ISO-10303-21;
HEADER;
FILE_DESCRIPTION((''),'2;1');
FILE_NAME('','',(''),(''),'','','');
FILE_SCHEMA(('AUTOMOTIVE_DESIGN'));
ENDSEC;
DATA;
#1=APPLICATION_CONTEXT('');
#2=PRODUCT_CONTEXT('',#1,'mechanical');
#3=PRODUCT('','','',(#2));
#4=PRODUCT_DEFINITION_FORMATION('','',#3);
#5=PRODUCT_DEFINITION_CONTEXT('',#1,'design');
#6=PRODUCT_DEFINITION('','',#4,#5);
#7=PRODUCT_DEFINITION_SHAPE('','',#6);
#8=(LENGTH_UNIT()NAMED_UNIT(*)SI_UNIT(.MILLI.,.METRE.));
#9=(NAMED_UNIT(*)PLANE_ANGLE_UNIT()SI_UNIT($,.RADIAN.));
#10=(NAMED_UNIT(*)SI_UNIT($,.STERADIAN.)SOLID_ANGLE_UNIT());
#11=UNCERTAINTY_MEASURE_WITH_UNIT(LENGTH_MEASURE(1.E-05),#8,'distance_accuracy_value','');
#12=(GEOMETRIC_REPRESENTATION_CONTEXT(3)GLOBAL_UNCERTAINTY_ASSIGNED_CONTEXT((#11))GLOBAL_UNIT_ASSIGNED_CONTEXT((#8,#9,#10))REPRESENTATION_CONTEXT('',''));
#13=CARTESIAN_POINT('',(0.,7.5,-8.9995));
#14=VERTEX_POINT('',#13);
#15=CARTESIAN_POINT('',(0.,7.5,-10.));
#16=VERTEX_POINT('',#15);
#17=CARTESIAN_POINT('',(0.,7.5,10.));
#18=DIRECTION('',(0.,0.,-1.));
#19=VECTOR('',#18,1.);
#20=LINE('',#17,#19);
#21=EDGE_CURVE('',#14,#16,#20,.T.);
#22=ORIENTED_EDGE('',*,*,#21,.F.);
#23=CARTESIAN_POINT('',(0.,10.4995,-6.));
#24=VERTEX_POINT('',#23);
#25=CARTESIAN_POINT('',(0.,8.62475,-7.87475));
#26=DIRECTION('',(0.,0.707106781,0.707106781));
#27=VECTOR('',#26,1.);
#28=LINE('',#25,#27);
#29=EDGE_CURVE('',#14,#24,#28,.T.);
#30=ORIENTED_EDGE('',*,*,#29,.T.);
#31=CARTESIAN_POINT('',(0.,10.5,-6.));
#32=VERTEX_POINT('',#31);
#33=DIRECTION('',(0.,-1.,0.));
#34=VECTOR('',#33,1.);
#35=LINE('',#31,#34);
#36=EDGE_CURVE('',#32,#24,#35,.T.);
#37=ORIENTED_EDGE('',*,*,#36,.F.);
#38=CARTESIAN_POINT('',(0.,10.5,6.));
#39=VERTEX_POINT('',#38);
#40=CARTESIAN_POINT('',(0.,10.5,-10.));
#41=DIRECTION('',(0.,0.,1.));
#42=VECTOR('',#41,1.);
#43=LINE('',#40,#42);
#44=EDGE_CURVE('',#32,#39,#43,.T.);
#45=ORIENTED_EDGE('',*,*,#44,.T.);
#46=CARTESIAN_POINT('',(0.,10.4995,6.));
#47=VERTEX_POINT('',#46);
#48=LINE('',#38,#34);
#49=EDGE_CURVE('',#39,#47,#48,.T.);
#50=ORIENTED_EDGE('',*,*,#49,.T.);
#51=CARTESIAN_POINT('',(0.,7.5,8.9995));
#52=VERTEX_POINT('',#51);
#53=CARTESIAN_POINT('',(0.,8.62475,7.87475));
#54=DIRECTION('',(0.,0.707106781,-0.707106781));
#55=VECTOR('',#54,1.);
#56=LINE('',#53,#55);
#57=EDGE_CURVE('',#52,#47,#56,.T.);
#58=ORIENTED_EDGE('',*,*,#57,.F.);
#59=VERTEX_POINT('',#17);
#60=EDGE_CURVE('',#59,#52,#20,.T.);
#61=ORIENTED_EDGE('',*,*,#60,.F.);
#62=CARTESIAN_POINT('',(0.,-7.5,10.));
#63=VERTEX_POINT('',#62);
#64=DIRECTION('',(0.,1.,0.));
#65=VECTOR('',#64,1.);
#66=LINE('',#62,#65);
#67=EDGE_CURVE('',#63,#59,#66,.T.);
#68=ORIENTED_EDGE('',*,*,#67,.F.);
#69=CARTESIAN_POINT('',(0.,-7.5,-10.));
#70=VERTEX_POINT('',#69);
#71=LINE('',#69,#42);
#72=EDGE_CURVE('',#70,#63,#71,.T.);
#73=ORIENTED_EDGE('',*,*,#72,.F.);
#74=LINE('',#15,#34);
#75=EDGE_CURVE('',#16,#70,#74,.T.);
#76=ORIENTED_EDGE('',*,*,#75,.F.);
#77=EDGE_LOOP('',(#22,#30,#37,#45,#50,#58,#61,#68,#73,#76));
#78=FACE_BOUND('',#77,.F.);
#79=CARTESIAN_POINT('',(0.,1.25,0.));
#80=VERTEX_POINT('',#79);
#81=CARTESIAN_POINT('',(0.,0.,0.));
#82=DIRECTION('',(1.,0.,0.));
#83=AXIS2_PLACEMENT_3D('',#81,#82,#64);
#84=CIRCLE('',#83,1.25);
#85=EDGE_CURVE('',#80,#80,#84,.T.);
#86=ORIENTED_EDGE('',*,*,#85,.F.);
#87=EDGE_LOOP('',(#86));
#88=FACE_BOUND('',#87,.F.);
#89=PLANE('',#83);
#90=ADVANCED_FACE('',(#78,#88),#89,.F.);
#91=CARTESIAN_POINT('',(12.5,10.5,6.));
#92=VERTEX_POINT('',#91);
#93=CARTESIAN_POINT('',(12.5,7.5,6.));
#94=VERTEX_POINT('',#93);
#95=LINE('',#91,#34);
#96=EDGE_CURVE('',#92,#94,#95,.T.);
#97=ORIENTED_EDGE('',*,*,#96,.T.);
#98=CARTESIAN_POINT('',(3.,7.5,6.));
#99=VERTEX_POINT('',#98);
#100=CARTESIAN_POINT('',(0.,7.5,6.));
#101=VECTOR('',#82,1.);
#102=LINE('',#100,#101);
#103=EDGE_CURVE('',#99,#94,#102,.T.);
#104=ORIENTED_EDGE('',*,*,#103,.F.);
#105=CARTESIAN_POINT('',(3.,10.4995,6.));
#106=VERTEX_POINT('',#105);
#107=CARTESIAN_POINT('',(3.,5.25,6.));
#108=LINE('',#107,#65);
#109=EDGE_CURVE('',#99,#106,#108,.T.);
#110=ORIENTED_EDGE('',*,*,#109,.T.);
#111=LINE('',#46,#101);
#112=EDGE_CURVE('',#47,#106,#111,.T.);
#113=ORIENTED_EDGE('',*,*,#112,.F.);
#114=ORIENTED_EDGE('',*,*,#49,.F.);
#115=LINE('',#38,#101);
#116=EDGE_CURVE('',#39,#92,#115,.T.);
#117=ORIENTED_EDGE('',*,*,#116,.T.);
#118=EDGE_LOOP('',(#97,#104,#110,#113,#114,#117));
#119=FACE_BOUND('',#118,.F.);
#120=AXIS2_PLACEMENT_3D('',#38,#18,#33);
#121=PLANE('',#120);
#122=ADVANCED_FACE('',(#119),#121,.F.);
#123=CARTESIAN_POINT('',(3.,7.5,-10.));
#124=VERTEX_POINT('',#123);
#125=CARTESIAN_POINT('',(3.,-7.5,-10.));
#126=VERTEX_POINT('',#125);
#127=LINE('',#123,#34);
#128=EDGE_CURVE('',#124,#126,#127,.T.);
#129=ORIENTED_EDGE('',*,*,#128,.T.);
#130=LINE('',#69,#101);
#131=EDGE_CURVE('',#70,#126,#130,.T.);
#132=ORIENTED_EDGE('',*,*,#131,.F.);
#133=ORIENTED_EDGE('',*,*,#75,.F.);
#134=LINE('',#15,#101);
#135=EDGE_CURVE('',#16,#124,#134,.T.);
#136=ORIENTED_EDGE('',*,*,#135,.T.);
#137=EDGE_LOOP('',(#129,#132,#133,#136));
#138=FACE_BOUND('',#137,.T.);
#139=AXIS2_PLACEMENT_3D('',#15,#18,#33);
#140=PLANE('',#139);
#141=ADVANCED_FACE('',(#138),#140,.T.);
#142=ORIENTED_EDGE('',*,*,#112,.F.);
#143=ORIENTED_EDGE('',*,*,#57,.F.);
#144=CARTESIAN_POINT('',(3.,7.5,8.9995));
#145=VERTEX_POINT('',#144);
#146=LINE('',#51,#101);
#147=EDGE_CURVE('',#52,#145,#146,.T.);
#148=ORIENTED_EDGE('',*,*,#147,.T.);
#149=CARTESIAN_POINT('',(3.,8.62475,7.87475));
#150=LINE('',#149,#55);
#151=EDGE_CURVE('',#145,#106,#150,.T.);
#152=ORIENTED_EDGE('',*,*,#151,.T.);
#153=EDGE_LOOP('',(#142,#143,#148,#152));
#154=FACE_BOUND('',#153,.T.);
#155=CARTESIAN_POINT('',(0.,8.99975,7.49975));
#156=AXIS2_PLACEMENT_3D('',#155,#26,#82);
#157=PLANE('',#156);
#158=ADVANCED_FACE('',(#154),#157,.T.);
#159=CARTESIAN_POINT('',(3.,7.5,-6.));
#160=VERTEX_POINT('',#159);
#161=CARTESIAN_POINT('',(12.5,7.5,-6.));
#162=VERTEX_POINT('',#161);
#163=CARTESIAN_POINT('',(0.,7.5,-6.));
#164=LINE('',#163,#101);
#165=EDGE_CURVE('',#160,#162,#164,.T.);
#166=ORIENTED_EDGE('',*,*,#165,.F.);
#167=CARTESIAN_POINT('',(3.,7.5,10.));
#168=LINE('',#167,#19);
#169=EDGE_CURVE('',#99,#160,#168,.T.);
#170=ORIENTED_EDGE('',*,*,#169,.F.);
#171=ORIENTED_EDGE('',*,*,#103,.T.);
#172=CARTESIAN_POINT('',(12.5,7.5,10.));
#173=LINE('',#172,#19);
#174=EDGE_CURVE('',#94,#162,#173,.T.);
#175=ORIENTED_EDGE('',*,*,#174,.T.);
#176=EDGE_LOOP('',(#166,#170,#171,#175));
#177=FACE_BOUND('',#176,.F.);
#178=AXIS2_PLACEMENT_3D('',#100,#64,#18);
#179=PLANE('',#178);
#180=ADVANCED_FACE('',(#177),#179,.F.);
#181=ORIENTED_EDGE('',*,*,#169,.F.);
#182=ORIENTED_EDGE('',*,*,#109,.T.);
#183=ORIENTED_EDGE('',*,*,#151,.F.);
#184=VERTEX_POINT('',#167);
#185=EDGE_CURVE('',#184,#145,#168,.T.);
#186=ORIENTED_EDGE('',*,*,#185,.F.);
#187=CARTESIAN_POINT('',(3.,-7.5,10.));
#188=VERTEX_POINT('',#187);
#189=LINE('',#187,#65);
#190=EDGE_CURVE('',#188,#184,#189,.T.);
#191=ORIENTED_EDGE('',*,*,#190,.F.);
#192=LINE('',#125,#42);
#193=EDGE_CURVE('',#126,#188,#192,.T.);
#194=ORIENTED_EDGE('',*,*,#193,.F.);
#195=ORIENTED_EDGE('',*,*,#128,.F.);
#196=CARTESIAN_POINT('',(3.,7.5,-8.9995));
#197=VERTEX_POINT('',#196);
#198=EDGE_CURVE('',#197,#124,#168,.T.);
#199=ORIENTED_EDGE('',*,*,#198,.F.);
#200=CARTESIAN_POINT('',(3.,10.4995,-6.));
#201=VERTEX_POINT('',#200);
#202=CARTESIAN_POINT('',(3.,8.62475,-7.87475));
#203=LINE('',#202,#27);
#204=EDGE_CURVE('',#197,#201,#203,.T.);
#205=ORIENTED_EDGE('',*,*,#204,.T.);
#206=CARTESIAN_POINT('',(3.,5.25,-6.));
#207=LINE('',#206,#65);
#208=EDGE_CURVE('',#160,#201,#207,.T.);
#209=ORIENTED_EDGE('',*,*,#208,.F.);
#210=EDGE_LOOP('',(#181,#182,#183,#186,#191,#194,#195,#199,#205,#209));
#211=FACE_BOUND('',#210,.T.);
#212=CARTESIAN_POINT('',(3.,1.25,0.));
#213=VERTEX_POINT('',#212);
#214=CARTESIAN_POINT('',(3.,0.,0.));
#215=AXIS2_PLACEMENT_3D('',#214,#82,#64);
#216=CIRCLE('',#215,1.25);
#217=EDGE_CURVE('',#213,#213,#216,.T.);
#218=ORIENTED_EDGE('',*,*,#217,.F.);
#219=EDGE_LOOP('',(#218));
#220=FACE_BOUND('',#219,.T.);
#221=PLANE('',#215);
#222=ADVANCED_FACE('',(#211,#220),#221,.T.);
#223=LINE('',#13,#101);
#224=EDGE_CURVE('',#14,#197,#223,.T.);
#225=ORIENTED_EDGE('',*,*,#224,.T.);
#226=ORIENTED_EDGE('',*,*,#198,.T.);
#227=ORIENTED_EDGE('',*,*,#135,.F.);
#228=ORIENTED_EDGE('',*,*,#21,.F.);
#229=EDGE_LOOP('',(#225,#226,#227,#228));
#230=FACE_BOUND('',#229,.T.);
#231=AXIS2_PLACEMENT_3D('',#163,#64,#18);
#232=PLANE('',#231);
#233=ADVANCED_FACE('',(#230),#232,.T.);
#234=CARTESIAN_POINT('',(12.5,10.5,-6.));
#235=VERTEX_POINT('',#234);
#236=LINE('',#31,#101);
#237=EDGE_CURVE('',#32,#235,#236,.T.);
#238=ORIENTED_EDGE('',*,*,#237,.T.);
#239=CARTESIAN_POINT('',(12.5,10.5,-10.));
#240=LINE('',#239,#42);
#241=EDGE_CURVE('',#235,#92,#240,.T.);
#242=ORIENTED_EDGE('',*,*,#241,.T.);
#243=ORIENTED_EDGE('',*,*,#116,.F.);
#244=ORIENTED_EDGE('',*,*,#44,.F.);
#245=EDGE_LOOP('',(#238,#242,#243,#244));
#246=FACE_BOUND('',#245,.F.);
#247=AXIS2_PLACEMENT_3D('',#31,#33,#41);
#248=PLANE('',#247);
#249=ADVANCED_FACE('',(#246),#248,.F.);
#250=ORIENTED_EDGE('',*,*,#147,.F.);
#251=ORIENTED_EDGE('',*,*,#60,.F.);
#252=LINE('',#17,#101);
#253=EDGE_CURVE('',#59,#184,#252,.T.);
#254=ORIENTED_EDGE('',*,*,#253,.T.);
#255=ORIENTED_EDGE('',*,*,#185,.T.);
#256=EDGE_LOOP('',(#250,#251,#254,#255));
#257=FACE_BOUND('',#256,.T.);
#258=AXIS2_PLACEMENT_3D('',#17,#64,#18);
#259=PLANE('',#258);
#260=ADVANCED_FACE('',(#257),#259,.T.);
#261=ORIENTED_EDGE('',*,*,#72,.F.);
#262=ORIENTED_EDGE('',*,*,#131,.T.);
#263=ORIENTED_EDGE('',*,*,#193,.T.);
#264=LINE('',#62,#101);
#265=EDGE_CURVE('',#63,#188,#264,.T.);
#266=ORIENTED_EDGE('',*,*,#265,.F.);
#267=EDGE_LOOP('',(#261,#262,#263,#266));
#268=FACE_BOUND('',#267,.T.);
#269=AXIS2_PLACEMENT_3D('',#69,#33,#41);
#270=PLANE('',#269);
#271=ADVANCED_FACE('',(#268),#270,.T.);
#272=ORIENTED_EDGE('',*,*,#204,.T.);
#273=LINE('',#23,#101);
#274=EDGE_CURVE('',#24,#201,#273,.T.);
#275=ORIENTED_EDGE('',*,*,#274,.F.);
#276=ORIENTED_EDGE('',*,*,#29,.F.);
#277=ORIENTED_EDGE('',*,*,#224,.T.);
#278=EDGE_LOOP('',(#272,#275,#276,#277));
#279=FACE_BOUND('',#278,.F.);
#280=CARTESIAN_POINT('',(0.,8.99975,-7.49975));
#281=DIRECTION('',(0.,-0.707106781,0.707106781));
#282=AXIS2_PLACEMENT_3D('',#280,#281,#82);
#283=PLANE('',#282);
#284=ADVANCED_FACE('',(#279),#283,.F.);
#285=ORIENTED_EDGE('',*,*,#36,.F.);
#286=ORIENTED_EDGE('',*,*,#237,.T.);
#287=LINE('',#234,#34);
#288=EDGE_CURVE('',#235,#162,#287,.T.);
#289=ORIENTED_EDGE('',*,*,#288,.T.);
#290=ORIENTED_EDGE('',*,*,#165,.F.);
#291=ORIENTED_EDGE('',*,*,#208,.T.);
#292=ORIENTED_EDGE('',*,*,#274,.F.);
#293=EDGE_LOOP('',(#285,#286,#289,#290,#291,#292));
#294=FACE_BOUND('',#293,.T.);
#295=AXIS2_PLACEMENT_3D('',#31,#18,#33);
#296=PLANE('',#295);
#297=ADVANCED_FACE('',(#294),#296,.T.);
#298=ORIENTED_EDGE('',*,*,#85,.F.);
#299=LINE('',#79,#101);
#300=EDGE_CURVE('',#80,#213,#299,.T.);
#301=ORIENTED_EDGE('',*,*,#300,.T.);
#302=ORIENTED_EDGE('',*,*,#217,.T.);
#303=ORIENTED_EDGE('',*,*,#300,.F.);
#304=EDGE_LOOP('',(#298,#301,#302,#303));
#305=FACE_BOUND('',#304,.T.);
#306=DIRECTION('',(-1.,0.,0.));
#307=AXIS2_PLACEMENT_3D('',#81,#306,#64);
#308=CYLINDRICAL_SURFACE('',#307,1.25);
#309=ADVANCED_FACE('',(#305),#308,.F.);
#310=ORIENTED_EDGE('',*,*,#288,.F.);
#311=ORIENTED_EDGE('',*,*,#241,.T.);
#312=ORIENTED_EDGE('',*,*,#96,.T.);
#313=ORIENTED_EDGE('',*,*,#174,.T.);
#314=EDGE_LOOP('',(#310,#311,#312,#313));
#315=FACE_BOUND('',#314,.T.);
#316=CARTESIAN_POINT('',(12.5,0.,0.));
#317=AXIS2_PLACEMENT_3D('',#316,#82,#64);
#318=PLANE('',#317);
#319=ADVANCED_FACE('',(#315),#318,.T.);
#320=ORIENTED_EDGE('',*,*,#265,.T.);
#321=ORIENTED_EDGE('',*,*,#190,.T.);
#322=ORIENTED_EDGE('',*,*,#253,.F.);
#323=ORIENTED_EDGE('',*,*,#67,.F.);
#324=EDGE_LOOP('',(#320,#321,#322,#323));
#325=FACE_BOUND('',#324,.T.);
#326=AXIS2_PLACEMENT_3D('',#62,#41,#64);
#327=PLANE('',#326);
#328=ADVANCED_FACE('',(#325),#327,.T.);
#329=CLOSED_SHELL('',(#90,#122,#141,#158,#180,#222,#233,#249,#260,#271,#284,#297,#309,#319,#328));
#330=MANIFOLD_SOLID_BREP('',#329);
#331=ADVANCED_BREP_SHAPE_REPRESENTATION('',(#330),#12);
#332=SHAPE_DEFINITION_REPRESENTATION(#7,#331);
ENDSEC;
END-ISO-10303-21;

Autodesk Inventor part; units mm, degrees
ref_plane "YZ Plane" through (0, 0, 0) normal (1, 0, 0) x (0, 1, 0)
ref_plane "XZ Plane" through (0, 0, 0) normal (0, 1, 0) x (-1, 0, 0)
ref_plane "XY Plane" through (0, 0, 0) normal (0, 0, 1) x (1, 0, 0)
sketch "스케치1" plane through (0, 0, 0) normal (1, 0, 0) x (0, 1, 0)
  line L0 (-7.5, 10) -> (7.5, 10)
  line L1 (7.5, 10) -> (7.5, -10)
  line L2 (7.5, -10) -> (-7.5, -10)
  line L3 (-7.5, -10) -> (-7.5, 10)
  line L4 (-7.5, 10) -> (7.5, -10) construction
  line L5 (7.5, 10) -> (-7.5, -10) construction
  circle A0 centre (0, 0) radius 1.25
  line L6 (7.5, 10) -> (7.5, -10)
  line L7 (7.5, -10) -> (10.5, -10)
  line L8 (10.5, -10) -> (10.5, 10)
  line L9 (10.5, 10) -> (7.5, 10)
  line L10 (10.5, -6) -> (7.5, -6)
  line L11 (10.5, 6) -> (7.5, 6)
  dimension "d0" = 15
  dimension "d1" = 20
  dimension "d2" = 2.5
  dimension "d5" = 3
  dimension "d6" = 6
  dimension "d7" = 6
extrude "돌출1" add sketch "스케치1" along normal blind 3 contours L0 L1 L2 L3
extrude "돌출2" add sketch "스케치1" along normal blind 12.5 contours L11 L8 L10 L1
chamfer "모따기1" distance 3 angle 45 2 edges at (1.5, 7.5, 6) (1.5, 7.5, -6)
properties part number "latch"
